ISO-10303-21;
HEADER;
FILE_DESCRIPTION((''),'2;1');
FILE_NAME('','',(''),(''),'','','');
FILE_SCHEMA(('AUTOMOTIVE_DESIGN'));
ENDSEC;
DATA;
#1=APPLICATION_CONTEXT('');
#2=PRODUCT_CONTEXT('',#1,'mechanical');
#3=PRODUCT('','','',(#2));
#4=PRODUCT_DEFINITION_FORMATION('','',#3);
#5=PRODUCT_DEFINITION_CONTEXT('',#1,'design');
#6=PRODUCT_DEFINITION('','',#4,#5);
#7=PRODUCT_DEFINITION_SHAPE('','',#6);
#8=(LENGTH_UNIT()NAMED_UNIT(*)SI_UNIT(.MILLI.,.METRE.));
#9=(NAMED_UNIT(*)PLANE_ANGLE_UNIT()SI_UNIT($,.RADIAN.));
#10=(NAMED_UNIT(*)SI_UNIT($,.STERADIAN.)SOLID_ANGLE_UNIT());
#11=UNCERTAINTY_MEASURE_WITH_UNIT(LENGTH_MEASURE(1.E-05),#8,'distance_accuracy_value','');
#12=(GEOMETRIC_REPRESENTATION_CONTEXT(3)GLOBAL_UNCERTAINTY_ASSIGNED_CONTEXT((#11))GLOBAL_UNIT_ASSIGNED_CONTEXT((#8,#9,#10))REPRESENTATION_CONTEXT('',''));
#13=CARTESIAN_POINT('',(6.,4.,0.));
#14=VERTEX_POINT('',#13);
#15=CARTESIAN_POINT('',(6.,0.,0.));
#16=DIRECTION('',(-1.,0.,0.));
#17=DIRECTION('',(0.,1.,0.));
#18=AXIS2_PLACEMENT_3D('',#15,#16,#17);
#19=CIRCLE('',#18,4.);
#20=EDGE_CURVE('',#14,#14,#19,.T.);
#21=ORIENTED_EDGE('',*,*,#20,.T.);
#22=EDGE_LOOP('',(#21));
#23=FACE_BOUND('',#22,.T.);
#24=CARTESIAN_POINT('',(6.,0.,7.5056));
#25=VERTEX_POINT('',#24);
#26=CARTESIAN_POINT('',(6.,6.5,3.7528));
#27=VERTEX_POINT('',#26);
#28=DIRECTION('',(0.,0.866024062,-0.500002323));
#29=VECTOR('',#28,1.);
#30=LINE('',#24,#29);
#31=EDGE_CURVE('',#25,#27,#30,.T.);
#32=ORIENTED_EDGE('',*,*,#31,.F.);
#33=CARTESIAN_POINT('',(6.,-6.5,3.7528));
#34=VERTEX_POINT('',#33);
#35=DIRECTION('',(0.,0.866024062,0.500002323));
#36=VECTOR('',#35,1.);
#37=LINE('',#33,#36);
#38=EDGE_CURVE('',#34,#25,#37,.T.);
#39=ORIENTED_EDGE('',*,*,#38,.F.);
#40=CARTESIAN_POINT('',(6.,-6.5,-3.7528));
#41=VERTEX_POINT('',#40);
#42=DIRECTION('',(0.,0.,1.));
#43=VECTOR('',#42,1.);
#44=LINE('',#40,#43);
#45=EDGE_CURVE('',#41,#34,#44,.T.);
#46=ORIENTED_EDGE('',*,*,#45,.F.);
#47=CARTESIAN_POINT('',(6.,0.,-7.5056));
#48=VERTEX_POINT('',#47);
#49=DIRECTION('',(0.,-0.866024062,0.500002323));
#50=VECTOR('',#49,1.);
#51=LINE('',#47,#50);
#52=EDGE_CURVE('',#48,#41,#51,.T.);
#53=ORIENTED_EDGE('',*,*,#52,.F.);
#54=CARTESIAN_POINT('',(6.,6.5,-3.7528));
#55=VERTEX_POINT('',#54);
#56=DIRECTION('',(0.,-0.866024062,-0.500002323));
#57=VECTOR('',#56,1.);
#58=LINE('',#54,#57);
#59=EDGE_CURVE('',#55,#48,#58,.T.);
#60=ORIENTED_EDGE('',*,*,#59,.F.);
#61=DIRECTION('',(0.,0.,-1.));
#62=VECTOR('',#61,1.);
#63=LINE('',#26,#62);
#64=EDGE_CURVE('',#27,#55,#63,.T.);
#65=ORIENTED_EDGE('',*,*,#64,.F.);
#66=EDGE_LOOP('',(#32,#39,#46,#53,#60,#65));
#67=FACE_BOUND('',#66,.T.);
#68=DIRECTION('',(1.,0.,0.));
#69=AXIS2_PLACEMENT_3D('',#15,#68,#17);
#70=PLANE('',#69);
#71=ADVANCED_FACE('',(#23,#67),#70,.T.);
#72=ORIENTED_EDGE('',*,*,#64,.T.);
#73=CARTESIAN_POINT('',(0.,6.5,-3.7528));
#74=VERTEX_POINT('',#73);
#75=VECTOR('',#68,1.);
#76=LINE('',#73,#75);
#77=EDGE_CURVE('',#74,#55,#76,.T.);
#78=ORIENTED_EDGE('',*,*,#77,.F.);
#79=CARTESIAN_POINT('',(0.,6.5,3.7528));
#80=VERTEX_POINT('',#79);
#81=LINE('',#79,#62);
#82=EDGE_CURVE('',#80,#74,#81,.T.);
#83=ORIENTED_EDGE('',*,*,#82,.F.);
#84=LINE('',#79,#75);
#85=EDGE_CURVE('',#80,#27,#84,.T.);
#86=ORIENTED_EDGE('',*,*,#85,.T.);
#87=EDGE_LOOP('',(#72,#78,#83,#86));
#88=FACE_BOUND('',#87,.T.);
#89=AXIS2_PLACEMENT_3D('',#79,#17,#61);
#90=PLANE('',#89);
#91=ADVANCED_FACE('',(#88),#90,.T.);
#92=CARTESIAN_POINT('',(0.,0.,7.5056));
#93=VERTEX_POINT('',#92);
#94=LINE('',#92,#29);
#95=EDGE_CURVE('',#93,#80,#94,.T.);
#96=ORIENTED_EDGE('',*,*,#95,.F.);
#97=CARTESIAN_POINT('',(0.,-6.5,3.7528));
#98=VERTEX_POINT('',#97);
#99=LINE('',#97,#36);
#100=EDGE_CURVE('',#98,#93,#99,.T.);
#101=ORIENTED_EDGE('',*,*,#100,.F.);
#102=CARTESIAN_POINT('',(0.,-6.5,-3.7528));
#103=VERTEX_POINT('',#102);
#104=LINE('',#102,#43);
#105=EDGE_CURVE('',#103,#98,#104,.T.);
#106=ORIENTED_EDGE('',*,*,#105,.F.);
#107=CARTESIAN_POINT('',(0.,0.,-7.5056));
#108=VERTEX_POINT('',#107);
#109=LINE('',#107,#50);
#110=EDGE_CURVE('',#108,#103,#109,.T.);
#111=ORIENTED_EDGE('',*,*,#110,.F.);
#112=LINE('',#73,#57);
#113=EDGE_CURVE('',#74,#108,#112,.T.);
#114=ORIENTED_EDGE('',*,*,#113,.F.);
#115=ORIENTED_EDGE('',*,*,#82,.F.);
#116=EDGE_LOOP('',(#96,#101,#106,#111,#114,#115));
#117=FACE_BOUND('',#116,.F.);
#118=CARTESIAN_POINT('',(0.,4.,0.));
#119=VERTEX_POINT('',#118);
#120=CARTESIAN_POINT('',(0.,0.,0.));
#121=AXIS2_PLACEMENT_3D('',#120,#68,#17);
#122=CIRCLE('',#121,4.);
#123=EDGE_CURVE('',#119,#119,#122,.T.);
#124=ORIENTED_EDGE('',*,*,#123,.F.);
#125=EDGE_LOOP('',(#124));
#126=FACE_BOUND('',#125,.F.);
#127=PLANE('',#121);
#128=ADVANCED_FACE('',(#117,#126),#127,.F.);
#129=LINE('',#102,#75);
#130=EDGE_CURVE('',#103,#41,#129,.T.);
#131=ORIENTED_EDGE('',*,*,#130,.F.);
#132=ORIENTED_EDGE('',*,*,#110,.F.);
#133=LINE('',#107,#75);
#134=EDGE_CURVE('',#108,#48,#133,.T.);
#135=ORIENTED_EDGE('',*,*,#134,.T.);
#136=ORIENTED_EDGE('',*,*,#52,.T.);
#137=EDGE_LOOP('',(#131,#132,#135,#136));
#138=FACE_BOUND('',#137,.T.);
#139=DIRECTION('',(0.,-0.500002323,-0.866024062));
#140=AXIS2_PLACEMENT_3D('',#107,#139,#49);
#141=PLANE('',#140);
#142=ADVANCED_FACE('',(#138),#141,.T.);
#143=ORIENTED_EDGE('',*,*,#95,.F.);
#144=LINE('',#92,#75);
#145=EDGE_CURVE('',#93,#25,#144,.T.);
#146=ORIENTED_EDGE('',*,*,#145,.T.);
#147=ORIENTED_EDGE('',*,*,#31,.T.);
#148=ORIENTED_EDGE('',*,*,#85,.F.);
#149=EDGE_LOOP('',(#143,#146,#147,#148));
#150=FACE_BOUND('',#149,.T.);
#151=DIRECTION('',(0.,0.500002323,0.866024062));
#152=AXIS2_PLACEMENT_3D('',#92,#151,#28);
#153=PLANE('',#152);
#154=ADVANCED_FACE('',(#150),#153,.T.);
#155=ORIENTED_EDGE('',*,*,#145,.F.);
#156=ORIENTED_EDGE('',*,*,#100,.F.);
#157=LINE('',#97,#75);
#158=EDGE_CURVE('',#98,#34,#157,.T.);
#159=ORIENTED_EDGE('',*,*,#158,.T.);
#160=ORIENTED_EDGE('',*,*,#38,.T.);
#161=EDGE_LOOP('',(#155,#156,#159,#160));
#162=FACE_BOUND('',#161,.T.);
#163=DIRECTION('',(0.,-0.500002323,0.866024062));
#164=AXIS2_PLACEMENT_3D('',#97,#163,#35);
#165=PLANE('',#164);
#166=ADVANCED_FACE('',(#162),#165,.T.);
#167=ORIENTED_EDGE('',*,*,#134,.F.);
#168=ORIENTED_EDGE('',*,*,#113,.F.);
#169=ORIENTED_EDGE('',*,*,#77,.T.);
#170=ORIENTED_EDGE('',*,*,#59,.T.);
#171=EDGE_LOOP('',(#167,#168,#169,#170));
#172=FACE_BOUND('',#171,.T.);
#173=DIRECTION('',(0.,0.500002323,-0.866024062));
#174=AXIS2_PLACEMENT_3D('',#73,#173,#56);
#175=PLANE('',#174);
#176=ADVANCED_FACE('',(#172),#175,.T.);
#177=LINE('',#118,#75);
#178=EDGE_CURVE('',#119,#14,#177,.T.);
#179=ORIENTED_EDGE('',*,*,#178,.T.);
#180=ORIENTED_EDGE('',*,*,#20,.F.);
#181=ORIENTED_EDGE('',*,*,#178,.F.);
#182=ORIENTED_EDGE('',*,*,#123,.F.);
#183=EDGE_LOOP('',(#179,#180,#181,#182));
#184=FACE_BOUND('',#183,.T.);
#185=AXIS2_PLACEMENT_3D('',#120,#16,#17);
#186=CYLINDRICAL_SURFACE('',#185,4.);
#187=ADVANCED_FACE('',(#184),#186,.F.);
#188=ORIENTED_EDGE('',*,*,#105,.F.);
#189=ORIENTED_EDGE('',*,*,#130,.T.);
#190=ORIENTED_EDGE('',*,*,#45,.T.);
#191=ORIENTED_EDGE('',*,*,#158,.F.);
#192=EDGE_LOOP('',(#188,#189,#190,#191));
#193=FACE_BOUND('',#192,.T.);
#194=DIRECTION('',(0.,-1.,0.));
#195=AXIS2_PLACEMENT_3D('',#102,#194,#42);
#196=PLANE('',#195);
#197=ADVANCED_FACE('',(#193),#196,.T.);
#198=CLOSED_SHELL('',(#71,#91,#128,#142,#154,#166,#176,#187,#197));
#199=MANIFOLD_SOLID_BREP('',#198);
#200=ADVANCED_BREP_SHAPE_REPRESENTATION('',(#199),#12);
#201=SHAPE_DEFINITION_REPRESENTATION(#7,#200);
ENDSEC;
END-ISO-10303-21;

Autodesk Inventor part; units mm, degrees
ref_plane "YZ Plane" through (0, 0, 0) normal (1, 0, 0) x (0, 1, 0)
ref_plane "XZ Plane" through (0, 0, 0) normal (0, 1, 0) x (-1, 0, 0)
ref_plane "XY Plane" through (0, 0, 0) normal (0, 0, 1) x (1, 0, 0)
sketch "Sketch1" plane through (0, 0, 0) normal (1, 0, 0) x (0, 1, 0)
  line L0 (6.5, -3.7528) -> (0, -7.5056)
  line L1 (0, -7.5056) -> (-6.5, -3.7528)
  line L2 (-6.5, -3.7528) -> (-6.5, 3.7528)
  line L3 (-6.5, 3.7528) -> (0, 7.5056)
  line L4 (0, 7.5056) -> (6.5, 3.7528)
  line L5 (6.5, 3.7528) -> (6.5, -3.7528)
  line L6 (0, 10.5078) -> (0, -10.5078) projected
  circle A0 centre (0, 0) radius 4
  dimension "d0" = 6.5
  dimension "d1" = 8
extrude "Extrusion1" add sketch "Sketch1" along normal blind 6 contours L0 L6 A0 L4 L5 | L1 L2 L3 L6 A0
properties part number "OcM8"
